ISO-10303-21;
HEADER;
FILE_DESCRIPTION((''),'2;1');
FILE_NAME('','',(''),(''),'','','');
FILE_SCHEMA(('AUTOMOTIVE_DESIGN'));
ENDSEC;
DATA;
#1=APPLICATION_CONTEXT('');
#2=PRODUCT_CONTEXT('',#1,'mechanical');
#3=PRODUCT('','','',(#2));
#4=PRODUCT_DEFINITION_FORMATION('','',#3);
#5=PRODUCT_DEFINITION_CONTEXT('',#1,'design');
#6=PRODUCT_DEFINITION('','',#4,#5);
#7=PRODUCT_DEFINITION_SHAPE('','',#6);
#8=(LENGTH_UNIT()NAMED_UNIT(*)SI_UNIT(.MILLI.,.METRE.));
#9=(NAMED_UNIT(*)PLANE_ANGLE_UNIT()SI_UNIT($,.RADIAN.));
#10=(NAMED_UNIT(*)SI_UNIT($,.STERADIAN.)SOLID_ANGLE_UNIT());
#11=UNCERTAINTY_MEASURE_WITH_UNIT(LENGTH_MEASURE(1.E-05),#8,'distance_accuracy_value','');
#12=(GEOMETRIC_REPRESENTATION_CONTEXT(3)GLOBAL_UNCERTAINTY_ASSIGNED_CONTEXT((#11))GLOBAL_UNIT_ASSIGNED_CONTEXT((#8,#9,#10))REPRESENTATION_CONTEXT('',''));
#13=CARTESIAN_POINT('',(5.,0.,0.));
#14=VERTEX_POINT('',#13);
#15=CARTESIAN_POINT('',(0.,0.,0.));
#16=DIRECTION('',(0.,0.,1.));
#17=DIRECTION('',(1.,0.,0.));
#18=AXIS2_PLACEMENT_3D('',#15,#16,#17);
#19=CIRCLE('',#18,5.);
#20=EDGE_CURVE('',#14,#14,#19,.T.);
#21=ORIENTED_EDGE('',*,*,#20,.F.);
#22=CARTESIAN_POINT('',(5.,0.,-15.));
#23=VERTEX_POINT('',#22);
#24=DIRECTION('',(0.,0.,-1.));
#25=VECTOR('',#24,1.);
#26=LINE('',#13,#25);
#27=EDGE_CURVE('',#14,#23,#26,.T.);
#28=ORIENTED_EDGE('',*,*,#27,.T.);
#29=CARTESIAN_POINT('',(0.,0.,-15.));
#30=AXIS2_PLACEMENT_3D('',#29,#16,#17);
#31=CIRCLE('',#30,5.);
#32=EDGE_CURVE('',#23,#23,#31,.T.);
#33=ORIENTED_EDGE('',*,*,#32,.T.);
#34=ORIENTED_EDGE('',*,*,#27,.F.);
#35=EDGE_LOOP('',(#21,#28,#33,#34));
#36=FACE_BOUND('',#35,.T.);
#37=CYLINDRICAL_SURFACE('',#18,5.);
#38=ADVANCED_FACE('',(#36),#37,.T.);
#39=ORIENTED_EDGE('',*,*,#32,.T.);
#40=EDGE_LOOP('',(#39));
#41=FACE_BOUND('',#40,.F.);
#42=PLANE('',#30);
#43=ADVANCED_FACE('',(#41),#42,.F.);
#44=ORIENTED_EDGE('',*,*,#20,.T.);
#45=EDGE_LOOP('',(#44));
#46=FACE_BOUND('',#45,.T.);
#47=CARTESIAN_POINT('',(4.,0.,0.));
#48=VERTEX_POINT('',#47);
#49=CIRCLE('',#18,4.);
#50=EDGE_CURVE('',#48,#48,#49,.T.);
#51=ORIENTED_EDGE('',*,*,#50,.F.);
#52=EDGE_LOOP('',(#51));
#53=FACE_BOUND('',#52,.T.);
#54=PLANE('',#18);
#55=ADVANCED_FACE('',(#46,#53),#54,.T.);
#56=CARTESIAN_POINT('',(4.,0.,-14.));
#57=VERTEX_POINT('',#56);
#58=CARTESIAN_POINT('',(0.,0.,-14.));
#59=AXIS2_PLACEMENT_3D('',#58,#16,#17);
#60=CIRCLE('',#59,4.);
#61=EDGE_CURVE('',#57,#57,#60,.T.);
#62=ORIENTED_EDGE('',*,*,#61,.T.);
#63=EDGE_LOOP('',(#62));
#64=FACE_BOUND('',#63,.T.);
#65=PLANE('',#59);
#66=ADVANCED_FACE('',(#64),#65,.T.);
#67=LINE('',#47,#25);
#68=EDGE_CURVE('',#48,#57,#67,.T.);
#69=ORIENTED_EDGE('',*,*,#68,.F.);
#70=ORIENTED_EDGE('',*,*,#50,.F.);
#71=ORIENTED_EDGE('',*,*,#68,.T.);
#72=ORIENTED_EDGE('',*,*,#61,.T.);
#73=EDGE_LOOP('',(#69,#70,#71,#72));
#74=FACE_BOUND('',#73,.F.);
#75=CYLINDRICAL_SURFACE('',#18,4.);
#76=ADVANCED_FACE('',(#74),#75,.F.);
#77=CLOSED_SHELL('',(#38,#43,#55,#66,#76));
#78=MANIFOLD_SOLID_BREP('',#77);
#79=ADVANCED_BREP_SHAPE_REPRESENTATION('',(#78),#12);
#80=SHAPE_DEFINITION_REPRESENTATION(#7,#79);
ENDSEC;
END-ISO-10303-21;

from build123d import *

# Parameters (mm, degrees)
SKETCH1_R           = 5
BOSS_EXTRUDE1_DEPTH = 15
SHELL5_T            = -1


with BuildPart() as part:
    # Sketch1 → Boss-Extrude1 (new body)
    with BuildSketch(Plane.XY):
        Circle(SKETCH1_R)
    extrude(amount=-BOSS_EXTRUDE1_DEPTH)

    # Shell5
    shell5_openings = [part.faces().sort_by_distance(p)[0] for p in [
        (0, 0, 0),
    ]]
    offset(amount=SHELL5_T, openings=shell5_openings, kind=Kind.INTERSECTION)


solid = part.part
